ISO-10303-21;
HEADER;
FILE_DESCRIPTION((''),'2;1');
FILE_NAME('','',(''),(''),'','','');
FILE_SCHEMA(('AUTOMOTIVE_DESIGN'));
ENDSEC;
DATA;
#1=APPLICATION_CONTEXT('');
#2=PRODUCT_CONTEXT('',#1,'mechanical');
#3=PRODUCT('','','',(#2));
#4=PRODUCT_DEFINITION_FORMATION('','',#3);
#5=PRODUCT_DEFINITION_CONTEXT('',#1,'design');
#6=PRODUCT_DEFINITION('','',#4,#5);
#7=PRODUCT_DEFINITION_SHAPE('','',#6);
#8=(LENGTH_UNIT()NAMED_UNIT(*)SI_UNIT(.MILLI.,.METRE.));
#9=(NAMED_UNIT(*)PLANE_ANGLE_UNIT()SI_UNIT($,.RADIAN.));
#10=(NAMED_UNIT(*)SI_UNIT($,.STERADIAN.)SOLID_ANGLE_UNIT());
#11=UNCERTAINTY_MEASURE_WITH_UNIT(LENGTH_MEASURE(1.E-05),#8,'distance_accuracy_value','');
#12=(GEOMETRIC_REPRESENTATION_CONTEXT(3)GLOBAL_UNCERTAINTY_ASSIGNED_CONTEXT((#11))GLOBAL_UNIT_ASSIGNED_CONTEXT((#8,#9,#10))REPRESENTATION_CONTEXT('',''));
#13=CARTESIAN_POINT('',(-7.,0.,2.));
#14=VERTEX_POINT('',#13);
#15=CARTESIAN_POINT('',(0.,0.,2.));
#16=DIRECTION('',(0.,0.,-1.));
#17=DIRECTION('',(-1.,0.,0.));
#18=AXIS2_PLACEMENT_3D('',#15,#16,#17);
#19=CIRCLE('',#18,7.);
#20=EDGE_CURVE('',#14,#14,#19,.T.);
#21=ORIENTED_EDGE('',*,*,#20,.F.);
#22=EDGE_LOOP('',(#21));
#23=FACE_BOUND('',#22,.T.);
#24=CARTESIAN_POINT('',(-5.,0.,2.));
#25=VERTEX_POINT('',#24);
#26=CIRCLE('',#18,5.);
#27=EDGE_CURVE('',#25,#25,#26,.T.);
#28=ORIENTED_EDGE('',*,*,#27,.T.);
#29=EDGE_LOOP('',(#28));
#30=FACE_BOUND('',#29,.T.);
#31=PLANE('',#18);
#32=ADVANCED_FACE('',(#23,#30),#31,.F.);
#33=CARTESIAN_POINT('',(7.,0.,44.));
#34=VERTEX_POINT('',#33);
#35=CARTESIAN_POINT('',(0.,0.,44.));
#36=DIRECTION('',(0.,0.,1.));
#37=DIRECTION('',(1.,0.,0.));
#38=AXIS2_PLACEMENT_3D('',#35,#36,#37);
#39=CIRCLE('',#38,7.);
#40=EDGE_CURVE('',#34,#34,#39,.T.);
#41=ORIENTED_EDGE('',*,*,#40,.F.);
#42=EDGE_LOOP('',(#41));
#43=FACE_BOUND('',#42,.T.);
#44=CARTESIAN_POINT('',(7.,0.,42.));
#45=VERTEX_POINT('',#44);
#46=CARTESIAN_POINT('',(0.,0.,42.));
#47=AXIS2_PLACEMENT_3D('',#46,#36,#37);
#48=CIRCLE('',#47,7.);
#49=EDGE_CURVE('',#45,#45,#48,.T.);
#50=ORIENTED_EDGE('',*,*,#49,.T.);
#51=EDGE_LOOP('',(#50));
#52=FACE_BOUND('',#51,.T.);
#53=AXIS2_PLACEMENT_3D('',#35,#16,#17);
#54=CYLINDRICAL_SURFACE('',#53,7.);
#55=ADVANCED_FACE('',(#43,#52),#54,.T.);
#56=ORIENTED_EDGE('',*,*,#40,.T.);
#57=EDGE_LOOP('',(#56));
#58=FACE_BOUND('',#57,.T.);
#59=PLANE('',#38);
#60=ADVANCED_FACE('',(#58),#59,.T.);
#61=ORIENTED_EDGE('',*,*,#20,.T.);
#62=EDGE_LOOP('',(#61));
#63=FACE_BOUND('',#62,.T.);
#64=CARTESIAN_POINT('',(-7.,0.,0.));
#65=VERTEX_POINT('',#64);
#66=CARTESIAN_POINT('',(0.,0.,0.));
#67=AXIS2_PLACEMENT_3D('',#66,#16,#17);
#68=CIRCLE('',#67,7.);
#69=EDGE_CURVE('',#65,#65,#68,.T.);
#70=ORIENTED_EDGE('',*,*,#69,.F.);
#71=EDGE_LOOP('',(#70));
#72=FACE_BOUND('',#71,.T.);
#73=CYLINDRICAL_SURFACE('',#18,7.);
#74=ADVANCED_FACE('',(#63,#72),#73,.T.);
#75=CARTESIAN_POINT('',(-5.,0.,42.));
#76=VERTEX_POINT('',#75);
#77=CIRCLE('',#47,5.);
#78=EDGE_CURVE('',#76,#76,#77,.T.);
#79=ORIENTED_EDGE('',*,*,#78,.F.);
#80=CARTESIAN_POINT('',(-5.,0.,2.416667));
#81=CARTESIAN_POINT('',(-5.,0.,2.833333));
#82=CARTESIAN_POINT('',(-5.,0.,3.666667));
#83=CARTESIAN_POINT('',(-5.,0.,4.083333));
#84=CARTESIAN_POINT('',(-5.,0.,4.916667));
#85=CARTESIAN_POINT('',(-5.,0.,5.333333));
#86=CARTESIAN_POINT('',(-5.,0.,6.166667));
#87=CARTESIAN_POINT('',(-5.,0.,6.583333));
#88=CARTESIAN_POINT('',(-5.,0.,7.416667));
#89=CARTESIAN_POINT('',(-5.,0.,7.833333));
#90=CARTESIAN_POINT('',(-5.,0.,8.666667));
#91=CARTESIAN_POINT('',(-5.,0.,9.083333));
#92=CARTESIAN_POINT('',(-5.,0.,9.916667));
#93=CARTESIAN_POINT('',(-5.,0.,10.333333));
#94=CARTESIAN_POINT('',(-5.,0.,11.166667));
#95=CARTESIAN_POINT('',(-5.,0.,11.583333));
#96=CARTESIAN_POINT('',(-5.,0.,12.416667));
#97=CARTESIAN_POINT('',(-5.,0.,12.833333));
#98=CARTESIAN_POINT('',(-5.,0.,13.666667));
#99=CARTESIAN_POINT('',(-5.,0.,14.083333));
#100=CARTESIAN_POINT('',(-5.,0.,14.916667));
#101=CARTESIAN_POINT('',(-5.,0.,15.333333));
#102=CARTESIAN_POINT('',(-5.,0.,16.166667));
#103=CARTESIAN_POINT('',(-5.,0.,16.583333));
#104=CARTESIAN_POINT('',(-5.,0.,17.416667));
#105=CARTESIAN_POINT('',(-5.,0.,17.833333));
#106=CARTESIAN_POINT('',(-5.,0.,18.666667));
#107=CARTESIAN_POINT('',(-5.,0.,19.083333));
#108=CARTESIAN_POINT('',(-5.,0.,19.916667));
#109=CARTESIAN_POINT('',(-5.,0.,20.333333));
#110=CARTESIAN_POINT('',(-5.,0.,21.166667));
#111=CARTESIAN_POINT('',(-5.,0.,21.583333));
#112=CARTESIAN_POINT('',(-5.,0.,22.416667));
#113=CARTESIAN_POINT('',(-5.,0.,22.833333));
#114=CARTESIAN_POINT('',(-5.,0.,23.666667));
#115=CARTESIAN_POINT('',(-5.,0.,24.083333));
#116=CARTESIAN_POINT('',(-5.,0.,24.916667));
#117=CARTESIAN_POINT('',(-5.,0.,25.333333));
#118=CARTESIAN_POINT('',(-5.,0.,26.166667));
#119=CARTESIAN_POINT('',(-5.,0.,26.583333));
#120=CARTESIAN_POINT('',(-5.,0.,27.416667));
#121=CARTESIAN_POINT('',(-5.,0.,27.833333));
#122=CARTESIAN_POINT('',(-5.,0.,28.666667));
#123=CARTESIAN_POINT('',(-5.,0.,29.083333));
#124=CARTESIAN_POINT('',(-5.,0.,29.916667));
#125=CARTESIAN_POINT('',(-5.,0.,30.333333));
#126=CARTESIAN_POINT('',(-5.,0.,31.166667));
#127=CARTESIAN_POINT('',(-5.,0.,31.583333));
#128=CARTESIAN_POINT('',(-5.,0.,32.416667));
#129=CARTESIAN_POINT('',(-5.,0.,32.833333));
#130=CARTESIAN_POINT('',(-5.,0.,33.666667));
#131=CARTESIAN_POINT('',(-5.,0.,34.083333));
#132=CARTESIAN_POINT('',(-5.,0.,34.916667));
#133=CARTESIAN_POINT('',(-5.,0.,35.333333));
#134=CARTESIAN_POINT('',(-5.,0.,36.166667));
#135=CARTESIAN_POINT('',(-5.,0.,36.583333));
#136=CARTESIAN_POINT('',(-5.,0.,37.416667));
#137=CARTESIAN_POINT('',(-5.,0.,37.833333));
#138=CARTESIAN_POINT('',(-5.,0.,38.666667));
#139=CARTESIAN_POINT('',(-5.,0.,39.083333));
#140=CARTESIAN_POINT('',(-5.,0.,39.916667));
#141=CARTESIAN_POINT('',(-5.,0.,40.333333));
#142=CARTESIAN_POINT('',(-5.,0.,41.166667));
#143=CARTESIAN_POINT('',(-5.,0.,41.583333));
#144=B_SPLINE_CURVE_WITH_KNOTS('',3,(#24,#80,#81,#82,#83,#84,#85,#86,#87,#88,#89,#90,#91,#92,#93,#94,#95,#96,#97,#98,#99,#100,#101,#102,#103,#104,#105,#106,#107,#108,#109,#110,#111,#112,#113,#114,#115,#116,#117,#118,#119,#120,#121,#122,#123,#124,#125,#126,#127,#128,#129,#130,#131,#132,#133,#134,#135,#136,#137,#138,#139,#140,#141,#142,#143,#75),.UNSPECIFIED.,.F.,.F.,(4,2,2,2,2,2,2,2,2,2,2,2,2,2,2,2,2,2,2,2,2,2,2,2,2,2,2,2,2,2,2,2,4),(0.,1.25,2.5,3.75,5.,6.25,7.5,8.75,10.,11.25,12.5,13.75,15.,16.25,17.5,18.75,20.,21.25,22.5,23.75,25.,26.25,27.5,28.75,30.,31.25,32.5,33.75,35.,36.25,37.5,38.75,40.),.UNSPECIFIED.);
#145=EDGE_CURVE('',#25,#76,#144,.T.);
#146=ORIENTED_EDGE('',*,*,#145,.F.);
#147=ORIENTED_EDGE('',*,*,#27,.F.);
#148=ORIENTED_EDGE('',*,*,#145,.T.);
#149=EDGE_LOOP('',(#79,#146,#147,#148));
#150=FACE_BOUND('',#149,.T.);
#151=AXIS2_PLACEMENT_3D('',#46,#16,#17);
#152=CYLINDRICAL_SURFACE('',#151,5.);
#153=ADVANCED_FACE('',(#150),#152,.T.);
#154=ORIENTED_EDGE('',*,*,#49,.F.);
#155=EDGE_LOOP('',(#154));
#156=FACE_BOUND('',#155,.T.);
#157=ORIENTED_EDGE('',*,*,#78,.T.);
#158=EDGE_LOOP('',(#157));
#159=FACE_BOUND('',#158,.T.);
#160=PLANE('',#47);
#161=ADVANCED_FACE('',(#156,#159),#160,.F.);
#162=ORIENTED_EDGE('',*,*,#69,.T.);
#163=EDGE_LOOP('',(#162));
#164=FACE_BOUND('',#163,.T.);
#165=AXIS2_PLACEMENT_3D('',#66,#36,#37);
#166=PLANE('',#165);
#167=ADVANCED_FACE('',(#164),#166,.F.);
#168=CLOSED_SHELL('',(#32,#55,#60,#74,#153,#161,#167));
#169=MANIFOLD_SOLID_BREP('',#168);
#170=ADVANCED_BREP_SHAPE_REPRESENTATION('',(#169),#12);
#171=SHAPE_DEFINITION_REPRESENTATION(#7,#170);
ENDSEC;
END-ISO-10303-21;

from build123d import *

# Parameters (mm, degrees)
SKETCH_1_R        = 5
EXTRUDE_1_DEPTH   = 42
SKETCH_3_R        = 7
SKETCH_3_R_2      = 5
EXTRUDE_2_DEPTH   = 2
SKETCH_4_R        = 7
SKETCH_4_R_2      = 5
EXTRUDE_4_DEPTH   = 2
SKETCH_5_R        = 5
EXTRUDE_2_2_DEPTH = 2


with BuildPart() as part:
    # 草图1 → 凸台-拉伸1 (new body)
    with BuildSketch(Plane.XY):
        with Locations(Location((0, 0, 0), (0, 0, 180))):
            Circle(SKETCH_1_R)
    extrude(amount=EXTRUDE_1_DEPTH)

    # 草图3 → Extrude 2 (add)
    with BuildSketch(Plane(origin=(0, 0, 0), x_dir=(-1, 0, 0), z_dir=(0, 0, -1))):
        Circle(SKETCH_3_R)
        Circle(SKETCH_3_R_2, mode=Mode.SUBTRACT)
    extrude(amount=-EXTRUDE_2_DEPTH)



with BuildPart() as body_2:
    # 草图4 → 拉伸-薄壁4 (new body)
    with BuildSketch(Plane.XY.offset(42)):
        Circle(SKETCH_4_R)
        Circle(SKETCH_4_R_2, mode=Mode.SUBTRACT)
    extrude(amount=EXTRUDE_4_DEPTH)


with BuildPart() as part_1:
    add(part.part)

    add(body_2.part)  # Extrude 2 2 merges body 2
    # 草图5 → Extrude 2 2 (add)
    with BuildSketch(Plane.XY.offset(42)):
        with Locations(Location((0, 0, 0), (0, 0, 180))):
            Circle(SKETCH_5_R)
    extrude(amount=EXTRUDE_2_2_DEPTH)


solid = part_1.part
